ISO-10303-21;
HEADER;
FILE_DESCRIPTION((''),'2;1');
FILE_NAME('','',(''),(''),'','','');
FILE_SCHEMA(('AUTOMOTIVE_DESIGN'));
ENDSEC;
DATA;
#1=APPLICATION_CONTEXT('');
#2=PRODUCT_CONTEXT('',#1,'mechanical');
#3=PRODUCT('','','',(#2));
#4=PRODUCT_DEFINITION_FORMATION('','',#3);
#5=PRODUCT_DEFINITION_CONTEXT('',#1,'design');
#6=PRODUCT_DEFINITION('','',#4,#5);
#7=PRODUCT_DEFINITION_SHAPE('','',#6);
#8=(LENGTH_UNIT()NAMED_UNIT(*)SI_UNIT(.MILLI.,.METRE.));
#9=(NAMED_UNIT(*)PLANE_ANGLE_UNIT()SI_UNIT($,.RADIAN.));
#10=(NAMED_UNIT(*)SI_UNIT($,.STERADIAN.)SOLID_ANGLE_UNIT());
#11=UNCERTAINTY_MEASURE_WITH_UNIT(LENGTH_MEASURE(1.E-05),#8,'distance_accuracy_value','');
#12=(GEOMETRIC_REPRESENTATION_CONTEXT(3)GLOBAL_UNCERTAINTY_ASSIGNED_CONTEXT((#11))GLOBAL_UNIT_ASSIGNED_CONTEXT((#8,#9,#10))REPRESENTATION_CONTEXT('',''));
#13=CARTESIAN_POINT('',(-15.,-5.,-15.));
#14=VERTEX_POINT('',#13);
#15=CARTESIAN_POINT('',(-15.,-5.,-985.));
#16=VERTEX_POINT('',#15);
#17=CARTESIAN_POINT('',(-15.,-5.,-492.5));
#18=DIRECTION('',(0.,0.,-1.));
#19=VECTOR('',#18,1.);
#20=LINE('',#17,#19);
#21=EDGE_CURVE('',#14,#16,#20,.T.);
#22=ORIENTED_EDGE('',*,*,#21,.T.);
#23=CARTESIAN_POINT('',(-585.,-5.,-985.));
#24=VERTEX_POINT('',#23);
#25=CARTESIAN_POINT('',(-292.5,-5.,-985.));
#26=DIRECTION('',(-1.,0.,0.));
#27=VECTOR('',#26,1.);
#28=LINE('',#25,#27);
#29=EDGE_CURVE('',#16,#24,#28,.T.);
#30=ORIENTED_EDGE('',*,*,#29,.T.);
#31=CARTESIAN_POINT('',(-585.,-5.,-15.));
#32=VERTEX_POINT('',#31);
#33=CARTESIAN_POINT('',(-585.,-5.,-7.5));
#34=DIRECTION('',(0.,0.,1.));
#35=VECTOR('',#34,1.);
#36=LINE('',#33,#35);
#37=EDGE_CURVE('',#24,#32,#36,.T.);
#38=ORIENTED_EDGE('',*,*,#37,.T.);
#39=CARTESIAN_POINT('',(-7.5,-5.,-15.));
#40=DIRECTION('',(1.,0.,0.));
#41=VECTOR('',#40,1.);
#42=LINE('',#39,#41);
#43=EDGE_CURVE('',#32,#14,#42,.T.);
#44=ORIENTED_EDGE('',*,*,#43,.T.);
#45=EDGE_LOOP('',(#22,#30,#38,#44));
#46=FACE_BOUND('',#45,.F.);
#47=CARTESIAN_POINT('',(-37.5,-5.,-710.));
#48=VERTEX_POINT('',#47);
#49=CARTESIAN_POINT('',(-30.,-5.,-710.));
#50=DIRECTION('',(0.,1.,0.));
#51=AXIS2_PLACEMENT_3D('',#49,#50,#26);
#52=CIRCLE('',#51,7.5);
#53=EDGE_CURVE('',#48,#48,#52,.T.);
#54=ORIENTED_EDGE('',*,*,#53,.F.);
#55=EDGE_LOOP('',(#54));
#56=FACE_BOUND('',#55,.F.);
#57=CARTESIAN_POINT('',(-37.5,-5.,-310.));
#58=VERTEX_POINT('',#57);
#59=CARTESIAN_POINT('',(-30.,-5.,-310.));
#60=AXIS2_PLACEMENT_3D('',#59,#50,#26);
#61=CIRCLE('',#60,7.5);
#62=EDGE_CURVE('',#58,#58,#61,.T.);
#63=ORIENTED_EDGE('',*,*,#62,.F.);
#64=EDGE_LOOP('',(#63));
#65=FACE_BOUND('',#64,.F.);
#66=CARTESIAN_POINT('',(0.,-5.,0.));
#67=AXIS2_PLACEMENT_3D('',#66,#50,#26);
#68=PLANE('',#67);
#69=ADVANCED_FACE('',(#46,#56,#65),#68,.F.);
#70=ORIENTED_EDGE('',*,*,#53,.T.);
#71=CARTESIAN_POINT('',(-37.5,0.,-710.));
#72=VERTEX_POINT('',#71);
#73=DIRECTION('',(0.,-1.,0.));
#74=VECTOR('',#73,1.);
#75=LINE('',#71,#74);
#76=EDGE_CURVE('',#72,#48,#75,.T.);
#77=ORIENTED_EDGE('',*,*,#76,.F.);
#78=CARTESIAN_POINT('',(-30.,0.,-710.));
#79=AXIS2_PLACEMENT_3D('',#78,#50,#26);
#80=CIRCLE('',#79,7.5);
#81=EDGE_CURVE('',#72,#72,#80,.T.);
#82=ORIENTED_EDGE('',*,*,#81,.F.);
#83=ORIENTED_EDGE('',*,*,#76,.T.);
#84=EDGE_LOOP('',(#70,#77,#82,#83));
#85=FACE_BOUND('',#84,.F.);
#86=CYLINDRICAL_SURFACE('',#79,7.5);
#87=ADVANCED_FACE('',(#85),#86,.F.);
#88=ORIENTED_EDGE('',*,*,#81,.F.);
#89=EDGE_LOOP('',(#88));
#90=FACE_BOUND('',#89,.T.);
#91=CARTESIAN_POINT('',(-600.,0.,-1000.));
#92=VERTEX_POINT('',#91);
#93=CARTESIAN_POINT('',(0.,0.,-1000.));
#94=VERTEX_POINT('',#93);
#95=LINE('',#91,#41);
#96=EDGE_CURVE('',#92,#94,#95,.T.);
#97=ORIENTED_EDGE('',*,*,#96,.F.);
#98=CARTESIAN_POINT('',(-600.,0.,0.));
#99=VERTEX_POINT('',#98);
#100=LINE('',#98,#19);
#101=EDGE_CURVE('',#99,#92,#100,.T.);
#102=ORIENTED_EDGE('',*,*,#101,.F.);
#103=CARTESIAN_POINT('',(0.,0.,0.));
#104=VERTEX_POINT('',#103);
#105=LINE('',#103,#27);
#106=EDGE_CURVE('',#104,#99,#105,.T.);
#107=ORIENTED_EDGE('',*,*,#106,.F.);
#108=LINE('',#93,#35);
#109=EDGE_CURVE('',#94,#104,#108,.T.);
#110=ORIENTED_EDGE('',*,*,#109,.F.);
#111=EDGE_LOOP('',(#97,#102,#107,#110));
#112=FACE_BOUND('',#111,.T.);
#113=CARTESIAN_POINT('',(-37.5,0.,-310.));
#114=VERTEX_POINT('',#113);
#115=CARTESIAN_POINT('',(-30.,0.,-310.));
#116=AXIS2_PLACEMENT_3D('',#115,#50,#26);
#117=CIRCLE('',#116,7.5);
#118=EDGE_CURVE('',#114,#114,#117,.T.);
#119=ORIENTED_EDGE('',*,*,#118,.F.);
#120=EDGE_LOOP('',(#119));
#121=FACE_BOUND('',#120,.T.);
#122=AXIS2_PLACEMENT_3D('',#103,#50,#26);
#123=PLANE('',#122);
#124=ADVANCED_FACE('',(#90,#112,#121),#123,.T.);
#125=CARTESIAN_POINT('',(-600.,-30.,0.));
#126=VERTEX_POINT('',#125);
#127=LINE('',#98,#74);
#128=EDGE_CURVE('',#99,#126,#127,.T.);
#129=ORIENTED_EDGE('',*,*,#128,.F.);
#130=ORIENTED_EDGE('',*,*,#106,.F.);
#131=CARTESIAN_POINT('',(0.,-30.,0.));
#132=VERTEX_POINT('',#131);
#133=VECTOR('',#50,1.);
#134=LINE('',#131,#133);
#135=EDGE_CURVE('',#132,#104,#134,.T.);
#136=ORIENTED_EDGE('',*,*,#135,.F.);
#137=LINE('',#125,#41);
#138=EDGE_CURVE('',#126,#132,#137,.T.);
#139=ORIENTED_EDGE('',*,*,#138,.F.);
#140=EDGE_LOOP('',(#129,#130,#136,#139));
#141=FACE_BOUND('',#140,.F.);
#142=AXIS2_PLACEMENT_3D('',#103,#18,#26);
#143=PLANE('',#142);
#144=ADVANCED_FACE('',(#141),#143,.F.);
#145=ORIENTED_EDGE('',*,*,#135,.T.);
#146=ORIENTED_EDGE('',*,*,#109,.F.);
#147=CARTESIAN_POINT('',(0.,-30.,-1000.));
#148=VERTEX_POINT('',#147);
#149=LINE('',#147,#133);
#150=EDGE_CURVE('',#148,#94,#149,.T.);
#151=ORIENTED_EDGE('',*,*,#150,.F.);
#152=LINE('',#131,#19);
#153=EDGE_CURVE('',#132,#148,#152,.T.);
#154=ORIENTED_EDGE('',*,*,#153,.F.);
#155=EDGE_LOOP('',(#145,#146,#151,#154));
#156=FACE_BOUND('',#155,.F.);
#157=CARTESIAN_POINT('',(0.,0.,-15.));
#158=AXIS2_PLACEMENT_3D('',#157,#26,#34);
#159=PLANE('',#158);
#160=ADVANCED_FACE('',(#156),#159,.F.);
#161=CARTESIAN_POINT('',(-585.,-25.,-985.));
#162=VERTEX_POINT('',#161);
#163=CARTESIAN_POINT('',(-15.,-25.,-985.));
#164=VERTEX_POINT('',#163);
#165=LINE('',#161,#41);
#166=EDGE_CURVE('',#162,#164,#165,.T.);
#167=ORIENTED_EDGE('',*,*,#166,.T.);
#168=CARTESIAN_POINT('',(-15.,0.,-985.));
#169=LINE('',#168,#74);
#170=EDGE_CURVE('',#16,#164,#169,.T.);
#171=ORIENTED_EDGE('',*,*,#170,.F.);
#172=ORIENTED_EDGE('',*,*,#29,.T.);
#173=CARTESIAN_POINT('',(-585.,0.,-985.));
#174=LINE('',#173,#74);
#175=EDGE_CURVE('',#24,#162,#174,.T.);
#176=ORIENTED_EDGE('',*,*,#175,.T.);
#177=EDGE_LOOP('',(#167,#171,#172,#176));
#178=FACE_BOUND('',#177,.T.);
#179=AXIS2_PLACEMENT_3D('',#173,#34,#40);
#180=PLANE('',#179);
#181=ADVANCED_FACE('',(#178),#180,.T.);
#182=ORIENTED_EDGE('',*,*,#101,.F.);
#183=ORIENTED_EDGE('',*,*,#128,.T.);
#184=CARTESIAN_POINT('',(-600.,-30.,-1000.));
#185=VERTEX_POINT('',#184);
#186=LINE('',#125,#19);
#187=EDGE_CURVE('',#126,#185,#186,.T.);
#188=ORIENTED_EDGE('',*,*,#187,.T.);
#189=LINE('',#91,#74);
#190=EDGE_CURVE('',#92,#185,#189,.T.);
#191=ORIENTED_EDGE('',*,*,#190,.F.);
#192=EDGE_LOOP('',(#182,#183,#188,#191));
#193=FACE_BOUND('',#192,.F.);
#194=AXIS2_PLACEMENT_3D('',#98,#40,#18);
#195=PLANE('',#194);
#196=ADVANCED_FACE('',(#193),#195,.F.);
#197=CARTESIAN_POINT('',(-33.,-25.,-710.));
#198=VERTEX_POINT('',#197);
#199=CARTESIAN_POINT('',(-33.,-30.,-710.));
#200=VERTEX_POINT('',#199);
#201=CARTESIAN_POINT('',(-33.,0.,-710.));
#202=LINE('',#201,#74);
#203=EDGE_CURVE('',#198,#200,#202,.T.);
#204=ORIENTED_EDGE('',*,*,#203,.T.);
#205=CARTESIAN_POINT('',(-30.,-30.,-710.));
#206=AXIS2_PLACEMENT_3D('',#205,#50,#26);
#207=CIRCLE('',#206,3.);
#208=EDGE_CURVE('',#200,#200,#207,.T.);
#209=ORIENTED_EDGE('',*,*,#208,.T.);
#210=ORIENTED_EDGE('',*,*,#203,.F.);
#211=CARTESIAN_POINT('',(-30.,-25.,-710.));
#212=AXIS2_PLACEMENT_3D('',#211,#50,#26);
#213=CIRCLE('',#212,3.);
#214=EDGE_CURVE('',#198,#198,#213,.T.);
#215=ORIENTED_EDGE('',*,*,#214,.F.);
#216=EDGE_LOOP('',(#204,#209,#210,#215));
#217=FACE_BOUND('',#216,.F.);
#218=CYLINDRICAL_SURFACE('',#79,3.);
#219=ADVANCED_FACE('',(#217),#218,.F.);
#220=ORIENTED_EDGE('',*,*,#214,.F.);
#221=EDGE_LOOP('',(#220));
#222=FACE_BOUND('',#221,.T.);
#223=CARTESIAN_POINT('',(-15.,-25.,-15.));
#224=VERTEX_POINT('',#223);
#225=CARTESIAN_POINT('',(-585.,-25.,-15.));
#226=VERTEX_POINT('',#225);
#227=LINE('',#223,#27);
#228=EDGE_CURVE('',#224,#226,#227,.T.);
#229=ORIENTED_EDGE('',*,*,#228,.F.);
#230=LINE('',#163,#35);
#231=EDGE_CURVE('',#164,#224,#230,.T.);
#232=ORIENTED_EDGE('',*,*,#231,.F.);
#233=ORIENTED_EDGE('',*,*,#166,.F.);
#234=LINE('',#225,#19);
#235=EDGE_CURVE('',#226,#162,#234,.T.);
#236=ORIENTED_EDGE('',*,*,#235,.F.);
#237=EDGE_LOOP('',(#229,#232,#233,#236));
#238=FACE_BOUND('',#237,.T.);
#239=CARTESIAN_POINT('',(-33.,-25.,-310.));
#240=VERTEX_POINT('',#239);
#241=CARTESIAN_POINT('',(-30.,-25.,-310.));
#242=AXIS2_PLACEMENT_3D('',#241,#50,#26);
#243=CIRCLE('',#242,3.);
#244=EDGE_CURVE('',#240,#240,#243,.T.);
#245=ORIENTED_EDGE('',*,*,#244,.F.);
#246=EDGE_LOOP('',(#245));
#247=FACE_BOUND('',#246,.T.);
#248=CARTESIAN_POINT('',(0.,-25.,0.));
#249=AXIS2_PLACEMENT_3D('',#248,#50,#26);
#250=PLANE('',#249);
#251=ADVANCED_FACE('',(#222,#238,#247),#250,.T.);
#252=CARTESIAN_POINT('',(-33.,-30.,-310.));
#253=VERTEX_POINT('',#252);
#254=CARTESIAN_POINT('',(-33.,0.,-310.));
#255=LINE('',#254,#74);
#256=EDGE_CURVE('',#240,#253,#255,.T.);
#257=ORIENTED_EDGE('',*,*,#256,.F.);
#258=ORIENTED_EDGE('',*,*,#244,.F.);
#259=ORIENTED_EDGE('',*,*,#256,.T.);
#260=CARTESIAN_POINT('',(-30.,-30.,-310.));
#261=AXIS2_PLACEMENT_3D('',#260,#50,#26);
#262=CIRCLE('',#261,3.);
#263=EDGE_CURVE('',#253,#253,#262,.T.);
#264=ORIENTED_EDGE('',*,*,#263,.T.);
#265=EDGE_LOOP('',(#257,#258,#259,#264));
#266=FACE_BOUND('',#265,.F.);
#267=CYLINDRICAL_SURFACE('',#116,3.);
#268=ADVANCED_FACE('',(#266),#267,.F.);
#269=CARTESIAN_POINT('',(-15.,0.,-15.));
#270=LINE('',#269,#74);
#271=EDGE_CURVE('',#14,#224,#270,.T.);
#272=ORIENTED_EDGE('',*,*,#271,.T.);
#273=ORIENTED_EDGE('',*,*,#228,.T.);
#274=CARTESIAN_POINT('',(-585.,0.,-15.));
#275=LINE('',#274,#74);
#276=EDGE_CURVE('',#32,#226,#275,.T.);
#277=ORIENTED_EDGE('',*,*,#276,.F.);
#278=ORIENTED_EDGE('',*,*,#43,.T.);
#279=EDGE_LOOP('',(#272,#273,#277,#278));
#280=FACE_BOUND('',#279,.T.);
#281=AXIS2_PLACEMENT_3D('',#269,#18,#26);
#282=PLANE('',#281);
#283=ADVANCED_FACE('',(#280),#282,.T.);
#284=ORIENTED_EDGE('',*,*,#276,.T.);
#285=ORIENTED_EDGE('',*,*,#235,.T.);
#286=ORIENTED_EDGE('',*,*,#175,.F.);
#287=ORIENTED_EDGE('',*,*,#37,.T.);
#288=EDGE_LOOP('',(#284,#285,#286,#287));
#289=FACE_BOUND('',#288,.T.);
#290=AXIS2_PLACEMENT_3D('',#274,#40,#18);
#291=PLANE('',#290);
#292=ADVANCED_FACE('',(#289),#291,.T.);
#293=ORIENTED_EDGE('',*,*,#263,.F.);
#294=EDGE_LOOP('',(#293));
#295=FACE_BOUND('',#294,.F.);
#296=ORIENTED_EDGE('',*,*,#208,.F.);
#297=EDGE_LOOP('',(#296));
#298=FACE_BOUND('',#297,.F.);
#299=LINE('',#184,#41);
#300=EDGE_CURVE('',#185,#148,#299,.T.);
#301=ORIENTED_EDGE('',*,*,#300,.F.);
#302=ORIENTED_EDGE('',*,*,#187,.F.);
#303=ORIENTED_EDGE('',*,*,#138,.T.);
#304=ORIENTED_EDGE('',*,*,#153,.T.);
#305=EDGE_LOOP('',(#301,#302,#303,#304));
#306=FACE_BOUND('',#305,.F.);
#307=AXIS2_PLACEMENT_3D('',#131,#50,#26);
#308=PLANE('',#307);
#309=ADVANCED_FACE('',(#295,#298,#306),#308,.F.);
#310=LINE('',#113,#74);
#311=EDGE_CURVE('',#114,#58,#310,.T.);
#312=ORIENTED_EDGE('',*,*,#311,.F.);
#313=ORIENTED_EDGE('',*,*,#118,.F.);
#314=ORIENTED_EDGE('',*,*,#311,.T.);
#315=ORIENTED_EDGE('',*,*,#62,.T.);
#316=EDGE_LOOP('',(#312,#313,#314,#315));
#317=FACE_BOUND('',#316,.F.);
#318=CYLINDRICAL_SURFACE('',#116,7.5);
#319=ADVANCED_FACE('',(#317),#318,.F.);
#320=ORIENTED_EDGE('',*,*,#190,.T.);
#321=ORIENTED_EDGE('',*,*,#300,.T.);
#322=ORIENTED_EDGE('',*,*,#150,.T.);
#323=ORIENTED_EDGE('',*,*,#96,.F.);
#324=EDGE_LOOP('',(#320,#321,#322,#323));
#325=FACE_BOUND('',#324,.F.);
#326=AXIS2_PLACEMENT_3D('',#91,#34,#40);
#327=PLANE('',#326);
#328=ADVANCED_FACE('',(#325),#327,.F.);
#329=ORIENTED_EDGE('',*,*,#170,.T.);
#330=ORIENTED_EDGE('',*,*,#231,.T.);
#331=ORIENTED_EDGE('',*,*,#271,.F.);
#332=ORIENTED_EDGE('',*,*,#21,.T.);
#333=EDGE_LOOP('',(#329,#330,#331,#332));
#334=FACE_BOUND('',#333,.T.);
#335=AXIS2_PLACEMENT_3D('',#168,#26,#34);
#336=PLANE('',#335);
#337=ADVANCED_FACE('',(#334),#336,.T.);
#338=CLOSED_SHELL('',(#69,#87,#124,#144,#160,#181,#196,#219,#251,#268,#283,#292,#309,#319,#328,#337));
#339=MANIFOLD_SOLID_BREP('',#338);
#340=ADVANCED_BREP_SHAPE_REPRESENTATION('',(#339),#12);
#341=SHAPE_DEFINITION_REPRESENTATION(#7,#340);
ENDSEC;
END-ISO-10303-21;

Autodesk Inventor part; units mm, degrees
ref_plane "YZ Plane" through (0, 0, 0) normal (1, 0, 0) x (0, 1, 0)
ref_plane "XZ Plane" through (0, 0, 0) normal (0, 1, 0) x (-1, 0, 0)
ref_plane "XY Plane" through (0, 0, 0) normal (0, 0, 1) x (1, 0, 0)
sketch "草圖1" plane through (0, 0, 0) normal (0, 1, 0) x (-1, 0, 0)
  line L0 (0, 0) -> (600, 0)
  line L1 (600, 0) -> (600, -1000)
  line L2 (600, -1000) -> (0, -1000)
  line L3 (0, -1000) -> (0, 0)
  line L4 (0, 0) -> (30, 0)
  line L5 (0, -310) -> (0, 0)
  line L6 (0, -710) -> (0, -310)
  circle A0 centre (30, -310) radius 7.5
  circle A1 centre (30, -710) radius 7.5
  line L7 (0, 0) -> (15, 0)
  line L8 (15, 0) -> (15, -15)
  line L9 (15, -15) -> (0, -15)
  line L10 (0, -15) -> (0, 0)
  line L11 (15, -15) -> (585, -15)
  line L12 (585, -15) -> (585, -985)
  line L13 (585, -985) -> (15, -985)
  line L14 (15, -985) -> (15, -15)
  circle A2 centre (30, -710) radius 3
  circle A3 centre (30, -310) radius 3
  dimension "d0" = 1000
  dimension "d1" = 600
  dimension "d6" = 15
  dimension "d7" = 15
  dimension "d8" = 310
  dimension "d9" = 30
  dimension "d10" = 400
  dimension "d11" = 30
  dimension "d14" = 15
  dimension "d15" = 15
  dimension "d16" = 570
  dimension "d17" = 970
  dimension "d26" = 6
  dimension "d27" = 6
extrude "擠出1" add sketch "草圖1" against normal blind 30 contours L0 L8 L9 L3 | L11 L12 L13 L14 | L0 L1 L2 L3 L9 L8
extrude "擠出2" add sketch "草圖1" against normal blind 30 contours A0 | A1 | A2 | A3
extrude "擠出3" cut sketch "草圖1" against normal blind 25 contours L11 L12 L13 L14
extrude "擠出4" add sketch "草圖1" against normal blind 5 contours L0 L8 L9 L3 | L11 L12 L13 L14 | L0 L1 L2 L3 L9 L8 | A0 | A1 | A2 | A3
extrude "擠出5" cut sketch "草圖1" against normal blind 25 contours A0 | A1 | A2 | A3
extrude "擠出6" cut sketch "草圖1" against normal through all contours A2 | A3
properties part number "Body Actuator"
